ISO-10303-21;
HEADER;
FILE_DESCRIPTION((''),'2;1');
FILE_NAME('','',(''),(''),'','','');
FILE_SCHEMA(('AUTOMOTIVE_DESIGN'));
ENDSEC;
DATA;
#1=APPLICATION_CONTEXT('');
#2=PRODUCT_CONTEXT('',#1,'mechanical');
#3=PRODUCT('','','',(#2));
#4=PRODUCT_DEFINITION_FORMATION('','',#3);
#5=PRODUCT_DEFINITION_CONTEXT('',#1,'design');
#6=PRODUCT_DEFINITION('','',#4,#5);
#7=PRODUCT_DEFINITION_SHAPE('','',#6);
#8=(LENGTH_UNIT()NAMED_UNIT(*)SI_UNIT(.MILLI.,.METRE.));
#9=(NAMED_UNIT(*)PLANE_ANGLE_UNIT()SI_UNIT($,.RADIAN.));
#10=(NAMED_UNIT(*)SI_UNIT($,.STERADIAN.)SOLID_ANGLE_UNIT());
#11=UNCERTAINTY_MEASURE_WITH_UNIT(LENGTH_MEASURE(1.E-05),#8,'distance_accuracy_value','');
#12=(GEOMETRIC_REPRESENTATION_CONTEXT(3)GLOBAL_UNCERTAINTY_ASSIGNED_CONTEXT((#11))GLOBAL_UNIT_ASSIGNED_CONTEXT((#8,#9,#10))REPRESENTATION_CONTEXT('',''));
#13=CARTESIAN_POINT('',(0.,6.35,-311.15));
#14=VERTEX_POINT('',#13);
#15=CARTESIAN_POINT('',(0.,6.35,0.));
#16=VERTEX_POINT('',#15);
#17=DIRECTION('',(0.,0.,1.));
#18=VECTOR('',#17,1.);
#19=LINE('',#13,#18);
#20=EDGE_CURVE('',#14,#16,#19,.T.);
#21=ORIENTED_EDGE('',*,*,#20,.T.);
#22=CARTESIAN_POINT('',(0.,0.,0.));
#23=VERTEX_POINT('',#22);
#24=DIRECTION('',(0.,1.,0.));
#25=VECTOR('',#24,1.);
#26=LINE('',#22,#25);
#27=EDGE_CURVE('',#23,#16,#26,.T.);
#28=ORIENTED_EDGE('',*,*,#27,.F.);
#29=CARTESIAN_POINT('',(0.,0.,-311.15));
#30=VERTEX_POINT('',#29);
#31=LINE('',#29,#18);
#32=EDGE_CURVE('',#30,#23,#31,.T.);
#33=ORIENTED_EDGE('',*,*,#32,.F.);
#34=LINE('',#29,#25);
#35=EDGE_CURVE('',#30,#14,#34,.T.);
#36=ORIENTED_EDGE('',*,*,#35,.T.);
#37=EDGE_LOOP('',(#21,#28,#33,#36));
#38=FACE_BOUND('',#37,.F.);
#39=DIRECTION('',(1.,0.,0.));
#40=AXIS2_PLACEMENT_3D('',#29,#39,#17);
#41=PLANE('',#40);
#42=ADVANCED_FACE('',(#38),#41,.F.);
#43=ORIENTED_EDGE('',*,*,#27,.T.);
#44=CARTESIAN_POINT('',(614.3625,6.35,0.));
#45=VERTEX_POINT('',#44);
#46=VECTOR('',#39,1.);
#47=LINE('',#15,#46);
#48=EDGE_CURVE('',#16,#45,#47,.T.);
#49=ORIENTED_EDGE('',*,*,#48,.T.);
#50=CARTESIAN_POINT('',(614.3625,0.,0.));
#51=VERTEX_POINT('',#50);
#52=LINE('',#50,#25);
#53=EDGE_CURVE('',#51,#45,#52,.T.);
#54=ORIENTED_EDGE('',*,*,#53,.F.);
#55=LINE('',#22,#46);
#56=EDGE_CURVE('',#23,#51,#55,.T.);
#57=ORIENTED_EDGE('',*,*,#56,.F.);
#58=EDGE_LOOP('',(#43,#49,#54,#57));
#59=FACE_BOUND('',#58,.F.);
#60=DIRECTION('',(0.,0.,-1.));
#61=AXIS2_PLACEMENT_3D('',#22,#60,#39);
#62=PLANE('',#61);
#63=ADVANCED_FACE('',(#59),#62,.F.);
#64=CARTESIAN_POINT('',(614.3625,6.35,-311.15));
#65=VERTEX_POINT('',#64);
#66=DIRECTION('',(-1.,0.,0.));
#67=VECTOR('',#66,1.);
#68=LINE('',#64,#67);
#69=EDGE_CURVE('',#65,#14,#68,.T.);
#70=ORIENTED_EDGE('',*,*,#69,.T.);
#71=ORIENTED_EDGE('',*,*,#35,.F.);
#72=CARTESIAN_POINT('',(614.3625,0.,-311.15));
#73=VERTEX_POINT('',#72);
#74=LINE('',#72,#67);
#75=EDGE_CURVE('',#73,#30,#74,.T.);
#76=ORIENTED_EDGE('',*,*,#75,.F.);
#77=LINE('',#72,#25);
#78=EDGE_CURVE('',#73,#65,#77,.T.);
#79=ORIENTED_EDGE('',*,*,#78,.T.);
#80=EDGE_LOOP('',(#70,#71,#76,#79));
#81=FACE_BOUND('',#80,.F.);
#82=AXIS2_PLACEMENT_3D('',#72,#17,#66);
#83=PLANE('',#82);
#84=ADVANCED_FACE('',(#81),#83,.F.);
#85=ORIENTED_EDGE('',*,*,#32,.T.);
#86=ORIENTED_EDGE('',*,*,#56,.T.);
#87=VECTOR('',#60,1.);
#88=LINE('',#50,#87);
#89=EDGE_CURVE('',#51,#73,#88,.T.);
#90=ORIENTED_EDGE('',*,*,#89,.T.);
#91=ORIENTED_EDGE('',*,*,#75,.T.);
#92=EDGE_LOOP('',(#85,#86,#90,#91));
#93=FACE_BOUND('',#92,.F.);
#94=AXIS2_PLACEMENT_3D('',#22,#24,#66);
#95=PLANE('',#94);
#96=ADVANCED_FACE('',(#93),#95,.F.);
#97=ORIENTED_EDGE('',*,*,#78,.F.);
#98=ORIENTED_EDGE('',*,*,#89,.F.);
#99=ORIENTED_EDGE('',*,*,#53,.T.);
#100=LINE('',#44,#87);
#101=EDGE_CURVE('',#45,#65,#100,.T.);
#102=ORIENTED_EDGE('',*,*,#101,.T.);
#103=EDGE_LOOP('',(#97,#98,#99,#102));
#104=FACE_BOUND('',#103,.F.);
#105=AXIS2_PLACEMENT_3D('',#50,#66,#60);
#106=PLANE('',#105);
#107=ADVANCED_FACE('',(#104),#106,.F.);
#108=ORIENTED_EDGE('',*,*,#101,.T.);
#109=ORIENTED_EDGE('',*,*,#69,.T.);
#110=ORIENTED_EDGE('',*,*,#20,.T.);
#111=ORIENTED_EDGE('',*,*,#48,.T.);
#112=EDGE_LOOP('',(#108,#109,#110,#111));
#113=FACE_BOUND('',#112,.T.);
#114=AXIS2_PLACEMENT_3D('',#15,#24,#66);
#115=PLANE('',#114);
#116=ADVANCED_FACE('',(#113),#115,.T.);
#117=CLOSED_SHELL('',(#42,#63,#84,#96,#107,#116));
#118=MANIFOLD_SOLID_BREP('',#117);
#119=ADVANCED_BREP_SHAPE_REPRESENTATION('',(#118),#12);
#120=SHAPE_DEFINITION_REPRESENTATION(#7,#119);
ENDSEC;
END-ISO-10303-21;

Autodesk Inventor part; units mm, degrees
ref_plane "YZ Plane" through (0, 0, 0) normal (1, 0, 0) x (0, 1, 0)
ref_plane "XZ Plane" through (0, 0, 0) normal (0, 1, 0) x (-1, 0, 0)
ref_plane "XY Plane" through (0, 0, 0) normal (0, 0, 1) x (1, 0, 0)
sketch "Sketch4" plane through (0, 0, 0) normal (0, 1, 0) x (-1, 0, 0)
  line L0 (0, 0) -> (-614.3625, 0)
  line L1 (-614.3625, 0) -> (-614.3625, -311.15)
  line L2 (-614.3625, -311.15) -> (0, -311.15)
  line L3 (0, -311.15) -> (0, 0)
  dimension "d8" = 614.3625
  dimension "d9" = 311.15
extrude "Extrusion3" add sketch "Sketch4" along normal blind 6.35
properties part number "BottomOfTheBottomOfTheJukebox_Ocampo"
